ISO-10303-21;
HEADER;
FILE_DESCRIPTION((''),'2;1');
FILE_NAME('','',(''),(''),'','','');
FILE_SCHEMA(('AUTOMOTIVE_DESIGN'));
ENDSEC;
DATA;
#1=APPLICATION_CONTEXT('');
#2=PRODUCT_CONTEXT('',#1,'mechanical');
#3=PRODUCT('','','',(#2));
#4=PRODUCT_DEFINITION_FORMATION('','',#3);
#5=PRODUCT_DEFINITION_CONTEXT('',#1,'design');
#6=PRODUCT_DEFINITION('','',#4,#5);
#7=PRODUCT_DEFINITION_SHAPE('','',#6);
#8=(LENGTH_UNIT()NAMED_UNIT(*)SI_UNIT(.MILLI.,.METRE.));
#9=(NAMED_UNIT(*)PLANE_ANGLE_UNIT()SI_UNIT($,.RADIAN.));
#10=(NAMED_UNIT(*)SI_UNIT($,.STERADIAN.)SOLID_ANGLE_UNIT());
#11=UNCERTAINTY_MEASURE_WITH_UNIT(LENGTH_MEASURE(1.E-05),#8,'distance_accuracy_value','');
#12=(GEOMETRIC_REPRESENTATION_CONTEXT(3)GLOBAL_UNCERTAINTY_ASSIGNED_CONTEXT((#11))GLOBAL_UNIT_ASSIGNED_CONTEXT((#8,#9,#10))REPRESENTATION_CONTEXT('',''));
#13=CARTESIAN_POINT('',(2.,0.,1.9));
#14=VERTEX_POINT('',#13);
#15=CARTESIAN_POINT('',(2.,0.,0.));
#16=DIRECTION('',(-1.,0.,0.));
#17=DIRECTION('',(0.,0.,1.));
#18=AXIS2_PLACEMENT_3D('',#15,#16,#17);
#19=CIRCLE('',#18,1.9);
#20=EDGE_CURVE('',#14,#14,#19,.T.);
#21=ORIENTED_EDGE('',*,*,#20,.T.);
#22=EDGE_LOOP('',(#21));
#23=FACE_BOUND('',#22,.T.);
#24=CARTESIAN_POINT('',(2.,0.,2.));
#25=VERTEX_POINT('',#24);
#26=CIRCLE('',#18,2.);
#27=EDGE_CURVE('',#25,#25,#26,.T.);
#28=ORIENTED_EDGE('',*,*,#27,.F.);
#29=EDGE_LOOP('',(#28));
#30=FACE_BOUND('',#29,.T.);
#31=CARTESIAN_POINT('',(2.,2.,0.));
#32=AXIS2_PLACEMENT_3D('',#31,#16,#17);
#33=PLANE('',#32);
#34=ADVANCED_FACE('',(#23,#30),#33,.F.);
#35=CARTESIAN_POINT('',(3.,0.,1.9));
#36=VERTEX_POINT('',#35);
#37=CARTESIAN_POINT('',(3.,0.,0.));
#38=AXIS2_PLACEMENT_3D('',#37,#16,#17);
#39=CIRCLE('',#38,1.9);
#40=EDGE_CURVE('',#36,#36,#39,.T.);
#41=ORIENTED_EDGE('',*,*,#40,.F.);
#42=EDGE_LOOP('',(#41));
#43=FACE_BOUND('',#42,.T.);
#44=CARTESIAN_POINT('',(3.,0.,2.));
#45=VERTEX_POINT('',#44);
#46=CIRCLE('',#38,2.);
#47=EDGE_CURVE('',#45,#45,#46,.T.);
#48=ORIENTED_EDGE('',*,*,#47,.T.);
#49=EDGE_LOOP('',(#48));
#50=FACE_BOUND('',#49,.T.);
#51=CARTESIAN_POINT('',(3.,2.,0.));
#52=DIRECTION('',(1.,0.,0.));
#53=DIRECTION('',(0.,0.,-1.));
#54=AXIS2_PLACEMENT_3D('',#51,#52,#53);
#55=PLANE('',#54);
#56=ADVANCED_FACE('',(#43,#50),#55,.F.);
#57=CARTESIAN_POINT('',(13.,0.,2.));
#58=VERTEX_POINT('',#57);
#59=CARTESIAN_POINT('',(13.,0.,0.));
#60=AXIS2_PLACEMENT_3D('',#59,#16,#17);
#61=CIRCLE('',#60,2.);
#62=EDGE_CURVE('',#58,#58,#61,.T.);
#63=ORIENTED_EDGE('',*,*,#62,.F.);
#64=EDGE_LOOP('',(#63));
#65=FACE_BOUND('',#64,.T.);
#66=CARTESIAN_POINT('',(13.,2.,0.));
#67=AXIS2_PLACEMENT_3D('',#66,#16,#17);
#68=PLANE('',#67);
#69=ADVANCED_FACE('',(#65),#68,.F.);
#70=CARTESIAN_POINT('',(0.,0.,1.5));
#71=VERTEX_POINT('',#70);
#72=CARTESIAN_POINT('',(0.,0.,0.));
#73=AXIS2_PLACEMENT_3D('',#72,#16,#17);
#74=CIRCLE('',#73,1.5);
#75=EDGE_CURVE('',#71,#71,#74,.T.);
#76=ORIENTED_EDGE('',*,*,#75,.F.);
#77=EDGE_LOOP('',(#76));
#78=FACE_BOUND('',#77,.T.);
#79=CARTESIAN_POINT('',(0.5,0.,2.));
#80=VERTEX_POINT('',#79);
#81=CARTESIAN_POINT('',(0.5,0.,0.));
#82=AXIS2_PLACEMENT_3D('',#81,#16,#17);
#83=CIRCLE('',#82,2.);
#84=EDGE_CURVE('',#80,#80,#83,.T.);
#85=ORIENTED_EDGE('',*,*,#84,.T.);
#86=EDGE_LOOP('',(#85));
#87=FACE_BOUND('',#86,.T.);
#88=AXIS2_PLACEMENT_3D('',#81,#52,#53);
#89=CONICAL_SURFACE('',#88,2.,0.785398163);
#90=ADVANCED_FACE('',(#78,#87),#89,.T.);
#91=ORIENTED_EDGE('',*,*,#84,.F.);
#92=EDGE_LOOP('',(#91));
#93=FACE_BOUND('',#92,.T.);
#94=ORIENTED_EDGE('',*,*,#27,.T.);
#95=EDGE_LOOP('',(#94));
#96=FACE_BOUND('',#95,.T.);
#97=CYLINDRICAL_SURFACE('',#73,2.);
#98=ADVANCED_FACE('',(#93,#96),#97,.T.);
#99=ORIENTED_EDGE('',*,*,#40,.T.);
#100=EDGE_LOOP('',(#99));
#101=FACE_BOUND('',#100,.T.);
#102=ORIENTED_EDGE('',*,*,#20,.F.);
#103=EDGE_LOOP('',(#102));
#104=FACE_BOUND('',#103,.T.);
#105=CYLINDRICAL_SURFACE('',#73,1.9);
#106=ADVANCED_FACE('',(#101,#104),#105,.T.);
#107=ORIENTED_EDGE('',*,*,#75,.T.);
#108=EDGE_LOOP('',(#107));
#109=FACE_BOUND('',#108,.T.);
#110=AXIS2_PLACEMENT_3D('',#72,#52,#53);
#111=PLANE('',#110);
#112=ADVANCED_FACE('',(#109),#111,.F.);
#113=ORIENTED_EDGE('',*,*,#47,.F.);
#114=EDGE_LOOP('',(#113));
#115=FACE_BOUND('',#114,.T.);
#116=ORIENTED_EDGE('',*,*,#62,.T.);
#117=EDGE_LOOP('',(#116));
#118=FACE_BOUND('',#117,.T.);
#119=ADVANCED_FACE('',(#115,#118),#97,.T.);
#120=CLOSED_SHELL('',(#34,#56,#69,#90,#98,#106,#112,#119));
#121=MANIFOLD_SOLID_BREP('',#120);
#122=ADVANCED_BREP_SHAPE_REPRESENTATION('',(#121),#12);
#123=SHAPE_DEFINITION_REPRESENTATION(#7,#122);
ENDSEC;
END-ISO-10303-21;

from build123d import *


with BuildPart() as part:
    # Эскиз1 → Повернуть1 (revolve)
    with BuildSketch(Plane.XY):
        Polygon((0, 0), (0, 1.5), (0.5, 2), (2, 2), (2, 1.9), (3, 1.9), (3, 2), (13, 2), (13, 0), align=None)
    revolve(axis=Axis((0, 0, 0), (1, 0, 0)))


solid = part.part
